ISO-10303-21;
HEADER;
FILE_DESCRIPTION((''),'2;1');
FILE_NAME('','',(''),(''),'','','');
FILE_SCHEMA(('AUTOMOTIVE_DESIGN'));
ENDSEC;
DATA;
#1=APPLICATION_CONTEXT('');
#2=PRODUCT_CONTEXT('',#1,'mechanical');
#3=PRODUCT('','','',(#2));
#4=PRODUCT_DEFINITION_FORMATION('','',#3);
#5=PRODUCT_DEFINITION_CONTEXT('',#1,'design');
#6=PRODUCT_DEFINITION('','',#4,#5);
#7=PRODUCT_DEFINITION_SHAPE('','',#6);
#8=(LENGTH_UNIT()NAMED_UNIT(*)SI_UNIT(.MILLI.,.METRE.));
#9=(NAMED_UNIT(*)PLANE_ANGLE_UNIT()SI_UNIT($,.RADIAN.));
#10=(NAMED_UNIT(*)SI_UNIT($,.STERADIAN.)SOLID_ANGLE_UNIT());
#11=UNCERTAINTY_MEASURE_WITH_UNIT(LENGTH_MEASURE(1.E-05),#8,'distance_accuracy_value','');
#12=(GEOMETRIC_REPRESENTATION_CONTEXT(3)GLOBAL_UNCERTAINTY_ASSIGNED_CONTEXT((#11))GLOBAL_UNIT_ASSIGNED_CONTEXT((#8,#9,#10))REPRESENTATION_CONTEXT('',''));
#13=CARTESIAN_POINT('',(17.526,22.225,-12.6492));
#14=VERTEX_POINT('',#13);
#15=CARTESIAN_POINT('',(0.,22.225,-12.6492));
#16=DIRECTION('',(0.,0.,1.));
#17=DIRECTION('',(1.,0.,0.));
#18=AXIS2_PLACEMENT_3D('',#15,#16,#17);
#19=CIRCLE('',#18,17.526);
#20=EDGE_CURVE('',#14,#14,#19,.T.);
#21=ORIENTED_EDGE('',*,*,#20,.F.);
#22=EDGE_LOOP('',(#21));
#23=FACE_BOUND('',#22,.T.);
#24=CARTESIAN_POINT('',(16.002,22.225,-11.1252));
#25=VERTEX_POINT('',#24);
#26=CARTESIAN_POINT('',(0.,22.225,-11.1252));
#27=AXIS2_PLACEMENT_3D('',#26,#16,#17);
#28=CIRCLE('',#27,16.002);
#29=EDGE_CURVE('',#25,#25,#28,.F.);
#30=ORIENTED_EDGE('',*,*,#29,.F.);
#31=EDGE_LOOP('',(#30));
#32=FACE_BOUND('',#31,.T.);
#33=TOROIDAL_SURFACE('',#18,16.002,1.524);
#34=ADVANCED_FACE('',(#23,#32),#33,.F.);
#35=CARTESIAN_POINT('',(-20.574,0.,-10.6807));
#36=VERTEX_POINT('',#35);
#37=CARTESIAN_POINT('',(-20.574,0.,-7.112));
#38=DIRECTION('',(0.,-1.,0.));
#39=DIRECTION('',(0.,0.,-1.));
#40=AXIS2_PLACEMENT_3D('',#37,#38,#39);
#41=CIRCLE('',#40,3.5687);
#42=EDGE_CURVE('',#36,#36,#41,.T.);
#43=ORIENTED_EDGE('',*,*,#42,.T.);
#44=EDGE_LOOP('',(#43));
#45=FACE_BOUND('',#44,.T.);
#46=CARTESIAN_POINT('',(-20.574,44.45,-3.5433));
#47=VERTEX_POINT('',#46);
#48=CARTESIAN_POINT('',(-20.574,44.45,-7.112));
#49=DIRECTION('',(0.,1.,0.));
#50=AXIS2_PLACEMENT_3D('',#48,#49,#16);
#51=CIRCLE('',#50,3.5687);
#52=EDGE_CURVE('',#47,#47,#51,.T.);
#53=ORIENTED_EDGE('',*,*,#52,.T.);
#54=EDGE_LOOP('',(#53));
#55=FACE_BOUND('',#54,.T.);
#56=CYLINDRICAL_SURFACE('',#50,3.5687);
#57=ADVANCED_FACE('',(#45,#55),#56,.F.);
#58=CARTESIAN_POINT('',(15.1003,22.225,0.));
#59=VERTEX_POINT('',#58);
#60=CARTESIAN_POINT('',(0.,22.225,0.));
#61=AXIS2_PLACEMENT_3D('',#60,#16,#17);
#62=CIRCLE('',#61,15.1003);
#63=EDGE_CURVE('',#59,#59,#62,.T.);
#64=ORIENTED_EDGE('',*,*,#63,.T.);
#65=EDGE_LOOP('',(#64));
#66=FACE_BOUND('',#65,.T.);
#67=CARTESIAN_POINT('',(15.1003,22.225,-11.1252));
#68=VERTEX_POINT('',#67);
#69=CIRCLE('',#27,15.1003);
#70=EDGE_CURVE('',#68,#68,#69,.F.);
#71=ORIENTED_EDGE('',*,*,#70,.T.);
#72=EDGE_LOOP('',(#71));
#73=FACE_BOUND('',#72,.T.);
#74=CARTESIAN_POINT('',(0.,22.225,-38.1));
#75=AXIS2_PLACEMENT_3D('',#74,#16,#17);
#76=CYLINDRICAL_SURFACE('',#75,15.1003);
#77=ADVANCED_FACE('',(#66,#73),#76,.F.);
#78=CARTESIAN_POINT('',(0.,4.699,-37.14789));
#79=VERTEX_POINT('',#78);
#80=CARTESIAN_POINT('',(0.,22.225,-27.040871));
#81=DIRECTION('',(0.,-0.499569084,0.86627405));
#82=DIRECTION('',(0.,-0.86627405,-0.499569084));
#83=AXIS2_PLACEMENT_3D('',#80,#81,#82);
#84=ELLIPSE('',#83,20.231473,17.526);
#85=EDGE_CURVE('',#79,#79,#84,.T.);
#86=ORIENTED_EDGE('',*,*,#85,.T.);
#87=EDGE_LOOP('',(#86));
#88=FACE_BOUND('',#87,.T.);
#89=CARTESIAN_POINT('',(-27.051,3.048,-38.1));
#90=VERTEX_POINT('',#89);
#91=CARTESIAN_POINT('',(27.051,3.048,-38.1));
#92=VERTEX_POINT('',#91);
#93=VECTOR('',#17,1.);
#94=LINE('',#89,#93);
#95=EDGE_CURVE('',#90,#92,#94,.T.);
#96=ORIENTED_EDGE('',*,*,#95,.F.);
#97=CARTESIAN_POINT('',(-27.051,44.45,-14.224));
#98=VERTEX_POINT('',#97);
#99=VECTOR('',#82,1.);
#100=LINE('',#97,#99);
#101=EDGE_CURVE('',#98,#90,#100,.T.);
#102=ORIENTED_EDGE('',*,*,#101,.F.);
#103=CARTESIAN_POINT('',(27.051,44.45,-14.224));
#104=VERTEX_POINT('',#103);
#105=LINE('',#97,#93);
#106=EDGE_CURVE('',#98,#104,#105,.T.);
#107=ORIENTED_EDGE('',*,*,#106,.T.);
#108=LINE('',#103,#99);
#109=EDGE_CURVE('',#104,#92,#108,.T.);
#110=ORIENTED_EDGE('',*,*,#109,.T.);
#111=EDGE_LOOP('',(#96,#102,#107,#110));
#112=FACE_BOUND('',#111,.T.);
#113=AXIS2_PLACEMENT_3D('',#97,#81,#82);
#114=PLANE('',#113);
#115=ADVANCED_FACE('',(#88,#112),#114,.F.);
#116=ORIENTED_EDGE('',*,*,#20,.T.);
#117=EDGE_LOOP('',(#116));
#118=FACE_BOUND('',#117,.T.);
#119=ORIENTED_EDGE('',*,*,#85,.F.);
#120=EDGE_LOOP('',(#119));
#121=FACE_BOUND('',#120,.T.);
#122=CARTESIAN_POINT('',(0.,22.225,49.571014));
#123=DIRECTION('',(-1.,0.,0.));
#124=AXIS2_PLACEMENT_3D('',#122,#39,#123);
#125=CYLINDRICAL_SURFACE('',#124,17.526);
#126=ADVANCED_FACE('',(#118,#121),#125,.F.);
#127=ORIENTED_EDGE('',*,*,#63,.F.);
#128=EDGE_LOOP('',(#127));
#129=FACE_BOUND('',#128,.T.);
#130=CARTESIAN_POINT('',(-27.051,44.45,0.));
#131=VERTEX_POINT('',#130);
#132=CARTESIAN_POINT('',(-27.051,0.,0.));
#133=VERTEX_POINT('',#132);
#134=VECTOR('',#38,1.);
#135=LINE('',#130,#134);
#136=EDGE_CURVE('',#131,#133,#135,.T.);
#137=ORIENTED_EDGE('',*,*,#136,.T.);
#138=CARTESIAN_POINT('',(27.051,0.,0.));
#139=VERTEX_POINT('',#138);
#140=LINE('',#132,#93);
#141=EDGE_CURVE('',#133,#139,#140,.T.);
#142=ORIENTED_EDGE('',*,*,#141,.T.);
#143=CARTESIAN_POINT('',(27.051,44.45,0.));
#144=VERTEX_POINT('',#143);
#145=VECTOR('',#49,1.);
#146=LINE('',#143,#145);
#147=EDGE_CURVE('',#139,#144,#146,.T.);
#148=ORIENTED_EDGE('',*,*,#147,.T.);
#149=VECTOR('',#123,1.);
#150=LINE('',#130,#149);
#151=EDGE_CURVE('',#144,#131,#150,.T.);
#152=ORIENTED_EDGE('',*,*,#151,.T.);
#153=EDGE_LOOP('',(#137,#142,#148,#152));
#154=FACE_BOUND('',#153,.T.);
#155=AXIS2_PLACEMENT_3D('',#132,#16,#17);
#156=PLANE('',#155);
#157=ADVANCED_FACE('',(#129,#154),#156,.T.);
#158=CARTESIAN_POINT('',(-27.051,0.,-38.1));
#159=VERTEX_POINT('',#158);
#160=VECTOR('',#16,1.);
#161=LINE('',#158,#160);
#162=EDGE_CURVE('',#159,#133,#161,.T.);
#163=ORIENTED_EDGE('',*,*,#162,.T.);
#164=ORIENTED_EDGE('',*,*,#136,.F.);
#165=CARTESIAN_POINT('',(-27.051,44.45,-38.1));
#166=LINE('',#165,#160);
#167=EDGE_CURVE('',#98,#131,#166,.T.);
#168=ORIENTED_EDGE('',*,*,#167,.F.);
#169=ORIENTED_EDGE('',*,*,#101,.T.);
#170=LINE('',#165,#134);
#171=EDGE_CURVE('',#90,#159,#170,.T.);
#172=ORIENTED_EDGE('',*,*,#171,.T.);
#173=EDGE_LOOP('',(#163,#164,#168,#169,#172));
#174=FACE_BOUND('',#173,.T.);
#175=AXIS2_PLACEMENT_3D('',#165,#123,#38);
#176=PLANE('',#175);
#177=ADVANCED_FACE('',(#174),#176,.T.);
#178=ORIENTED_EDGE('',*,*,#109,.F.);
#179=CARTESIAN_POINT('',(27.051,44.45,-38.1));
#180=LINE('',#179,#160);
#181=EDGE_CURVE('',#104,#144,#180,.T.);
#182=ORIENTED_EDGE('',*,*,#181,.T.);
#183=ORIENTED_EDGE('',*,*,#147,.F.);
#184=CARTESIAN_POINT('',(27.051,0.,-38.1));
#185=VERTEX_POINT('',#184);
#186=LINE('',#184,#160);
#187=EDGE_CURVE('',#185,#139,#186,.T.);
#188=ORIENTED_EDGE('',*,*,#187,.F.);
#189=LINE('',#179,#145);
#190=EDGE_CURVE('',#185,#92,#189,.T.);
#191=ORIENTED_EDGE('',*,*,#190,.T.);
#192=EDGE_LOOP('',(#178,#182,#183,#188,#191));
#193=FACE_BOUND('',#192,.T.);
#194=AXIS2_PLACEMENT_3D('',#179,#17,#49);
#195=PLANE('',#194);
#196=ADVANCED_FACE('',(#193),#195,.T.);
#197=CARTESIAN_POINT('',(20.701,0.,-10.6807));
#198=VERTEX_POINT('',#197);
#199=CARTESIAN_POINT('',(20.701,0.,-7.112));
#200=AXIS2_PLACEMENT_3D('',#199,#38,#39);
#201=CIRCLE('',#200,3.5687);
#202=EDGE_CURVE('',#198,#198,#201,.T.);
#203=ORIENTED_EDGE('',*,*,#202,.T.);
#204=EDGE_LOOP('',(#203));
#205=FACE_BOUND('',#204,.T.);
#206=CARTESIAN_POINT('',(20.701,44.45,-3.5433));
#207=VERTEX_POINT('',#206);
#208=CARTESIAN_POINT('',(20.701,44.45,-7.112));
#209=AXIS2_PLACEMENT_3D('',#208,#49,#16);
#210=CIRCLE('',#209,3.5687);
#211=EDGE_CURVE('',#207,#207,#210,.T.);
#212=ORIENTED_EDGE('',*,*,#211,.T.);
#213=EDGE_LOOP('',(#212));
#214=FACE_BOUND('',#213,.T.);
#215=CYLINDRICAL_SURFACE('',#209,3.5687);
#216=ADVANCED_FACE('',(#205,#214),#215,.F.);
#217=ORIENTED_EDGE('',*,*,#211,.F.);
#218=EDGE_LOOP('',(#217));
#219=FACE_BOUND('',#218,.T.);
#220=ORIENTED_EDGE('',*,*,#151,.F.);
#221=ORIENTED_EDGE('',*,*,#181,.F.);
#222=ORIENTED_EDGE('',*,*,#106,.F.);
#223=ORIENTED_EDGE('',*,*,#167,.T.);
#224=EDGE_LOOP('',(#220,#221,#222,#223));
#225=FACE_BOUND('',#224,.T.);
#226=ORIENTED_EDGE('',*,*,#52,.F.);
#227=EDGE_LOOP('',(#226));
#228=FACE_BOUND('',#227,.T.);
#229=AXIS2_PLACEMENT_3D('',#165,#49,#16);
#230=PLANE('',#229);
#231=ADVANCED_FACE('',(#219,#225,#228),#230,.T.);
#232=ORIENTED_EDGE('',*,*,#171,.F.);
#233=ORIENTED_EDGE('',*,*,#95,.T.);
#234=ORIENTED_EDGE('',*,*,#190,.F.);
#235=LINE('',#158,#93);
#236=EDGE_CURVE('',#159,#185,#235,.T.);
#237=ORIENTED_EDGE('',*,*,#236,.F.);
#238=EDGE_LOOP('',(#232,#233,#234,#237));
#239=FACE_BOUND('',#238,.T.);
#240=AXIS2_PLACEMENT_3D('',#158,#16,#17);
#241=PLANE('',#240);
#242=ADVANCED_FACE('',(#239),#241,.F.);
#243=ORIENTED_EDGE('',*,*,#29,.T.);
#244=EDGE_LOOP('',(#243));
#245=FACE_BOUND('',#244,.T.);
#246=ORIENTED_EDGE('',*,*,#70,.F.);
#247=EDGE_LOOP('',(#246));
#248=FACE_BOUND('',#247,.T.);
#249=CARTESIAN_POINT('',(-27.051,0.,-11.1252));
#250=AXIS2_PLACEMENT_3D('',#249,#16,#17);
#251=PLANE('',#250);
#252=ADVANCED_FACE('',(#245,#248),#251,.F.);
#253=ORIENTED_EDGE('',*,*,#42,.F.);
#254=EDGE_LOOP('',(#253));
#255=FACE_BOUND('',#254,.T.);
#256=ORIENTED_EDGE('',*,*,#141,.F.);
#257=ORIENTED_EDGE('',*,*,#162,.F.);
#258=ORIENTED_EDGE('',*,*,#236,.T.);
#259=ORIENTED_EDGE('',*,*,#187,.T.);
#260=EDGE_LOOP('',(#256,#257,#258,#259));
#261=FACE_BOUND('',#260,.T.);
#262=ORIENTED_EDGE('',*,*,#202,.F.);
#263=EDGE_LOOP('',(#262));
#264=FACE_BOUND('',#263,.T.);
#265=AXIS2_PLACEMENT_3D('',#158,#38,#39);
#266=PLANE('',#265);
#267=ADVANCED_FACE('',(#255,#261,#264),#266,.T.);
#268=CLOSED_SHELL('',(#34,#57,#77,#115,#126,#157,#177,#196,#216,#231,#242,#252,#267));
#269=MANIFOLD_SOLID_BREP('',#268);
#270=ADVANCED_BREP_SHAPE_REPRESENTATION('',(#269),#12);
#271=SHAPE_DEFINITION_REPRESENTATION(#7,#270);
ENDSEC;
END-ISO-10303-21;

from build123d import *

# Parameters (mm, degrees)
SKETCH1_W          = 54.102
SKETCH1_H          = 44.45
SKETCH1_R          = 15.1003
EXTRUDE1_DEPTH     = 38.1
CUT_EXTRUDE1_DEPTH = 55.102
SKETCH3_R          = 17.526
CUT_EXTRUDE2_DEPTH = 26.9748
FILLET1_R          = 1.524
HOLE1_D            = 7.1374
HOLE1_DEPTH        = 44.45


with BuildPart() as part:
    # Sketch1 → Extrude1 (new body)
    with BuildSketch(Plane.XY):
        with Locations((0, 22.225)):
            Rectangle(SKETCH1_W, SKETCH1_H)
        with Locations((0, 22.225)):
            Circle(SKETCH1_R, mode=Mode.SUBTRACT)
    extrude(amount=-EXTRUDE1_DEPTH)

    # Sketch2 → Cut-Extrude1 (cut, through all)
    with BuildSketch(Plane(origin=(27.051, 0, 0), x_dir=(0, 0, -1), z_dir=(1, 0, 0))):
        Polygon((14.224, 44.45), (38.1, 3.048), (38.1, 44.45), align=None)
    extrude(amount=-CUT_EXTRUDE1_DEPTH, mode=Mode.SUBTRACT)

    # Sketch3 → Cut-Extrude2 (cut)
    with BuildSketch(Plane(origin=(0, 0, -38.1), x_dir=(-1, 0, 0), z_dir=(0, 0, -1))):
        with Locations(Location((0, 22.225, 0), (0, 0, 270))):  # turned: the seam where the file's is
            Circle(SKETCH3_R)
    extrude(amount=-CUT_EXTRUDE2_DEPTH, mode=Mode.SUBTRACT)

    # Fillet1
    fillet1_edges = [part.edges().sort_by_distance(p)[0] for p in [
        (0, 39.751, -11.1252),
    ]]
    fillet(fillet1_edges, radius=FILLET1_R)

    # Hole1
    with Locations(Plane(origin=(0, 44.45, 0), x_dir=(-1, 0, 0), z_dir=(0, 1, 0))):
        with Locations((20.574, -7.112), (-20.701, -7.112)):
            Hole(HOLE1_D / 2, depth=HOLE1_DEPTH)


solid = part.part
